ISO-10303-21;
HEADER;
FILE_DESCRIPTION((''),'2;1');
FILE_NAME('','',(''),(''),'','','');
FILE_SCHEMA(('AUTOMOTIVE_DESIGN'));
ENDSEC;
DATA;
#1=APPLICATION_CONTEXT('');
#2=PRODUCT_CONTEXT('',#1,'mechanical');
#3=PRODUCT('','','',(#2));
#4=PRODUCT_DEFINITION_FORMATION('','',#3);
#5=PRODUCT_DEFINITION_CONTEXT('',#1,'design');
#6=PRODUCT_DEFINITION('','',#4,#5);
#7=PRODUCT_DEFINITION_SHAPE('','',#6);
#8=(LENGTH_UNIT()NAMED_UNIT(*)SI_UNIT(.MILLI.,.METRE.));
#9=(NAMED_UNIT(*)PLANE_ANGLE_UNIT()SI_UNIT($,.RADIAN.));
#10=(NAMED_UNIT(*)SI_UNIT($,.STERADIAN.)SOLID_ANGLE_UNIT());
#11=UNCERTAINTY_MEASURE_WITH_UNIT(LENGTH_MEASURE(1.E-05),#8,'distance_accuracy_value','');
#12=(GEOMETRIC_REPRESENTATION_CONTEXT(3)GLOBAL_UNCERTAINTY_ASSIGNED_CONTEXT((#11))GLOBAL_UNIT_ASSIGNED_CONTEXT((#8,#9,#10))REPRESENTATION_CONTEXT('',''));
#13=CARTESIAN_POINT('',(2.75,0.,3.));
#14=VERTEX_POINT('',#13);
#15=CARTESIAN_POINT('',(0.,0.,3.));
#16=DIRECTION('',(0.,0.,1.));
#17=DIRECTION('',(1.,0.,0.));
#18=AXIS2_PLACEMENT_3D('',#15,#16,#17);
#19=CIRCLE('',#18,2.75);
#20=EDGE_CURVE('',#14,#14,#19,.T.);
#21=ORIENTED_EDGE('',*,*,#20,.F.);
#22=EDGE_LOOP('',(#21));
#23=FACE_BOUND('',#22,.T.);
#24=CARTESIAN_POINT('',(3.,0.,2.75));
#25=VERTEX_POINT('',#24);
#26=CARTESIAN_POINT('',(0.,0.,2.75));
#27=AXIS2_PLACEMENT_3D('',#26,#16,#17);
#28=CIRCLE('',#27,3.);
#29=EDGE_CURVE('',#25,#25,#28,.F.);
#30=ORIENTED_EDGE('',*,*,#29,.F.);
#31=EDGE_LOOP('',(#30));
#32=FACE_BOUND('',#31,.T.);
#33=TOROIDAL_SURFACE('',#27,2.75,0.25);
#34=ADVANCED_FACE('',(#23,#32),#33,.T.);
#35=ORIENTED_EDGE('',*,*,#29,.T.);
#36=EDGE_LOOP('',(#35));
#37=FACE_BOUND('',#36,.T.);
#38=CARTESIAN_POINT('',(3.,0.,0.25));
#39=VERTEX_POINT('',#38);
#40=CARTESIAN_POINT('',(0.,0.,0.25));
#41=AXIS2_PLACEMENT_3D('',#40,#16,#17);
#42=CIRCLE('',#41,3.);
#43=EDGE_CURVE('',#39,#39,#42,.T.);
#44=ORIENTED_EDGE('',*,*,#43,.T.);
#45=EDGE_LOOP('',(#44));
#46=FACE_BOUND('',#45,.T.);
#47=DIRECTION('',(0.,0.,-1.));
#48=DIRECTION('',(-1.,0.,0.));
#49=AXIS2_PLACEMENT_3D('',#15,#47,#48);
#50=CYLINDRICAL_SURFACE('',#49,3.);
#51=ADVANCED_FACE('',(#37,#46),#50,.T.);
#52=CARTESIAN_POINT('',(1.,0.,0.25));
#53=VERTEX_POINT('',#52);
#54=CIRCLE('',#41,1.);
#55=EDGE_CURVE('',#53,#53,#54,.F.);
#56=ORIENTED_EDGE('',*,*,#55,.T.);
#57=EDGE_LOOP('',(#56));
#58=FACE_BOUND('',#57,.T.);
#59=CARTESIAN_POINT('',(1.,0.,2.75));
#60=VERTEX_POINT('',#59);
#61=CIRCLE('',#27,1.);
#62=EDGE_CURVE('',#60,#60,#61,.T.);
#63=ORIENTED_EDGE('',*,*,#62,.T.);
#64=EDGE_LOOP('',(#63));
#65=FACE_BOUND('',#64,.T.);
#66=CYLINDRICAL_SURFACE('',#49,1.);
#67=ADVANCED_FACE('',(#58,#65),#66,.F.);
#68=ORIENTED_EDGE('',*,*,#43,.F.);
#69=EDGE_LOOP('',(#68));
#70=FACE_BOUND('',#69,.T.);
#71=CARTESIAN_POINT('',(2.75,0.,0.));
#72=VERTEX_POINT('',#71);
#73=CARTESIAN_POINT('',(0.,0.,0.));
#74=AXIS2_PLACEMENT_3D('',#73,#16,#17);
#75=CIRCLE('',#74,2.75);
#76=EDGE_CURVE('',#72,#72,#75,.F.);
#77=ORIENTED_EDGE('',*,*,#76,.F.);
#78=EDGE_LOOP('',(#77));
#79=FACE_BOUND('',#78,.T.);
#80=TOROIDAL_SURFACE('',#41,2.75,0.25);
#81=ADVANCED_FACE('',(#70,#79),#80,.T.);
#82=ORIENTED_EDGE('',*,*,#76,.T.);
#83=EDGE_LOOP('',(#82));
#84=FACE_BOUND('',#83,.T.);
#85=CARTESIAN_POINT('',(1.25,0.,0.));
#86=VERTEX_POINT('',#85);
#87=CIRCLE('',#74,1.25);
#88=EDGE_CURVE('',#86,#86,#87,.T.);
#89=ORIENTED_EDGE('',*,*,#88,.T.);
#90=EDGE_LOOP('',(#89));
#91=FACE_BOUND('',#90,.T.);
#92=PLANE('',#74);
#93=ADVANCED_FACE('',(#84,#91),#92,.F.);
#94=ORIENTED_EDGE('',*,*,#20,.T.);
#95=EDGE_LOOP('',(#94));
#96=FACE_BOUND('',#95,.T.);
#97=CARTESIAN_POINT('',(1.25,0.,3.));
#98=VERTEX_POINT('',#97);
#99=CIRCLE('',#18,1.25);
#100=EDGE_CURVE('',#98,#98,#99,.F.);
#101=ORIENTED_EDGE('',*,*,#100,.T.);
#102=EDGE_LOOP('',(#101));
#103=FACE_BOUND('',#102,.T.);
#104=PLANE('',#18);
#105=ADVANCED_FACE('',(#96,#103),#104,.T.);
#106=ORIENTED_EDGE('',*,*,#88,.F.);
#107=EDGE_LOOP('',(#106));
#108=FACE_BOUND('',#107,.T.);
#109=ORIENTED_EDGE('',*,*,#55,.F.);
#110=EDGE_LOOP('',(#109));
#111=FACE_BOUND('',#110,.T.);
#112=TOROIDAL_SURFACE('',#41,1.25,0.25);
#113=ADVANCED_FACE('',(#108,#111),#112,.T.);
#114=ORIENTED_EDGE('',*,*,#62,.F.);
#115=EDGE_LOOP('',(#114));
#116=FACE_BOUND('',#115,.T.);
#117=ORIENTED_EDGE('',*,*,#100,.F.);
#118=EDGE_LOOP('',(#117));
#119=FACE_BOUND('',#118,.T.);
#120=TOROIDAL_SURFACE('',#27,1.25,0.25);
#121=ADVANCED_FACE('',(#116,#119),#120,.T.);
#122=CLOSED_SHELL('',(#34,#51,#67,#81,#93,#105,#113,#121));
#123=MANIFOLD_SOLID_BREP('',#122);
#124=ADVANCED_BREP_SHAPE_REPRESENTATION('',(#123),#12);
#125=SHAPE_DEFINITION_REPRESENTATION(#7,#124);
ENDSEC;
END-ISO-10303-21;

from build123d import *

# Parameters (mm, degrees)
SKETCH1_R           = 3
SKETCH1_R_2         = 1
EXTRUDE_THIN1_DEPTH = 3
FILLET2_R           = 0.25


with BuildPart() as part:
    # Sketch1 → Extrude-Thin1 (new body)
    with BuildSketch(Plane.XY):
        Circle(SKETCH1_R)
        Circle(SKETCH1_R_2, mode=Mode.SUBTRACT)
    extrude(amount=EXTRUDE_THIN1_DEPTH)

    # Fillet2
    fillet2_edges = [part.edges().sort_by_distance(p)[0] for p in [
        (-3, 0, 0),
        (-1, 0, 0),
        (-3, 0, 3),
        (-1, 0, 3),
    ]]
    fillet(fillet2_edges, radius=FILLET2_R)


solid = part.part
